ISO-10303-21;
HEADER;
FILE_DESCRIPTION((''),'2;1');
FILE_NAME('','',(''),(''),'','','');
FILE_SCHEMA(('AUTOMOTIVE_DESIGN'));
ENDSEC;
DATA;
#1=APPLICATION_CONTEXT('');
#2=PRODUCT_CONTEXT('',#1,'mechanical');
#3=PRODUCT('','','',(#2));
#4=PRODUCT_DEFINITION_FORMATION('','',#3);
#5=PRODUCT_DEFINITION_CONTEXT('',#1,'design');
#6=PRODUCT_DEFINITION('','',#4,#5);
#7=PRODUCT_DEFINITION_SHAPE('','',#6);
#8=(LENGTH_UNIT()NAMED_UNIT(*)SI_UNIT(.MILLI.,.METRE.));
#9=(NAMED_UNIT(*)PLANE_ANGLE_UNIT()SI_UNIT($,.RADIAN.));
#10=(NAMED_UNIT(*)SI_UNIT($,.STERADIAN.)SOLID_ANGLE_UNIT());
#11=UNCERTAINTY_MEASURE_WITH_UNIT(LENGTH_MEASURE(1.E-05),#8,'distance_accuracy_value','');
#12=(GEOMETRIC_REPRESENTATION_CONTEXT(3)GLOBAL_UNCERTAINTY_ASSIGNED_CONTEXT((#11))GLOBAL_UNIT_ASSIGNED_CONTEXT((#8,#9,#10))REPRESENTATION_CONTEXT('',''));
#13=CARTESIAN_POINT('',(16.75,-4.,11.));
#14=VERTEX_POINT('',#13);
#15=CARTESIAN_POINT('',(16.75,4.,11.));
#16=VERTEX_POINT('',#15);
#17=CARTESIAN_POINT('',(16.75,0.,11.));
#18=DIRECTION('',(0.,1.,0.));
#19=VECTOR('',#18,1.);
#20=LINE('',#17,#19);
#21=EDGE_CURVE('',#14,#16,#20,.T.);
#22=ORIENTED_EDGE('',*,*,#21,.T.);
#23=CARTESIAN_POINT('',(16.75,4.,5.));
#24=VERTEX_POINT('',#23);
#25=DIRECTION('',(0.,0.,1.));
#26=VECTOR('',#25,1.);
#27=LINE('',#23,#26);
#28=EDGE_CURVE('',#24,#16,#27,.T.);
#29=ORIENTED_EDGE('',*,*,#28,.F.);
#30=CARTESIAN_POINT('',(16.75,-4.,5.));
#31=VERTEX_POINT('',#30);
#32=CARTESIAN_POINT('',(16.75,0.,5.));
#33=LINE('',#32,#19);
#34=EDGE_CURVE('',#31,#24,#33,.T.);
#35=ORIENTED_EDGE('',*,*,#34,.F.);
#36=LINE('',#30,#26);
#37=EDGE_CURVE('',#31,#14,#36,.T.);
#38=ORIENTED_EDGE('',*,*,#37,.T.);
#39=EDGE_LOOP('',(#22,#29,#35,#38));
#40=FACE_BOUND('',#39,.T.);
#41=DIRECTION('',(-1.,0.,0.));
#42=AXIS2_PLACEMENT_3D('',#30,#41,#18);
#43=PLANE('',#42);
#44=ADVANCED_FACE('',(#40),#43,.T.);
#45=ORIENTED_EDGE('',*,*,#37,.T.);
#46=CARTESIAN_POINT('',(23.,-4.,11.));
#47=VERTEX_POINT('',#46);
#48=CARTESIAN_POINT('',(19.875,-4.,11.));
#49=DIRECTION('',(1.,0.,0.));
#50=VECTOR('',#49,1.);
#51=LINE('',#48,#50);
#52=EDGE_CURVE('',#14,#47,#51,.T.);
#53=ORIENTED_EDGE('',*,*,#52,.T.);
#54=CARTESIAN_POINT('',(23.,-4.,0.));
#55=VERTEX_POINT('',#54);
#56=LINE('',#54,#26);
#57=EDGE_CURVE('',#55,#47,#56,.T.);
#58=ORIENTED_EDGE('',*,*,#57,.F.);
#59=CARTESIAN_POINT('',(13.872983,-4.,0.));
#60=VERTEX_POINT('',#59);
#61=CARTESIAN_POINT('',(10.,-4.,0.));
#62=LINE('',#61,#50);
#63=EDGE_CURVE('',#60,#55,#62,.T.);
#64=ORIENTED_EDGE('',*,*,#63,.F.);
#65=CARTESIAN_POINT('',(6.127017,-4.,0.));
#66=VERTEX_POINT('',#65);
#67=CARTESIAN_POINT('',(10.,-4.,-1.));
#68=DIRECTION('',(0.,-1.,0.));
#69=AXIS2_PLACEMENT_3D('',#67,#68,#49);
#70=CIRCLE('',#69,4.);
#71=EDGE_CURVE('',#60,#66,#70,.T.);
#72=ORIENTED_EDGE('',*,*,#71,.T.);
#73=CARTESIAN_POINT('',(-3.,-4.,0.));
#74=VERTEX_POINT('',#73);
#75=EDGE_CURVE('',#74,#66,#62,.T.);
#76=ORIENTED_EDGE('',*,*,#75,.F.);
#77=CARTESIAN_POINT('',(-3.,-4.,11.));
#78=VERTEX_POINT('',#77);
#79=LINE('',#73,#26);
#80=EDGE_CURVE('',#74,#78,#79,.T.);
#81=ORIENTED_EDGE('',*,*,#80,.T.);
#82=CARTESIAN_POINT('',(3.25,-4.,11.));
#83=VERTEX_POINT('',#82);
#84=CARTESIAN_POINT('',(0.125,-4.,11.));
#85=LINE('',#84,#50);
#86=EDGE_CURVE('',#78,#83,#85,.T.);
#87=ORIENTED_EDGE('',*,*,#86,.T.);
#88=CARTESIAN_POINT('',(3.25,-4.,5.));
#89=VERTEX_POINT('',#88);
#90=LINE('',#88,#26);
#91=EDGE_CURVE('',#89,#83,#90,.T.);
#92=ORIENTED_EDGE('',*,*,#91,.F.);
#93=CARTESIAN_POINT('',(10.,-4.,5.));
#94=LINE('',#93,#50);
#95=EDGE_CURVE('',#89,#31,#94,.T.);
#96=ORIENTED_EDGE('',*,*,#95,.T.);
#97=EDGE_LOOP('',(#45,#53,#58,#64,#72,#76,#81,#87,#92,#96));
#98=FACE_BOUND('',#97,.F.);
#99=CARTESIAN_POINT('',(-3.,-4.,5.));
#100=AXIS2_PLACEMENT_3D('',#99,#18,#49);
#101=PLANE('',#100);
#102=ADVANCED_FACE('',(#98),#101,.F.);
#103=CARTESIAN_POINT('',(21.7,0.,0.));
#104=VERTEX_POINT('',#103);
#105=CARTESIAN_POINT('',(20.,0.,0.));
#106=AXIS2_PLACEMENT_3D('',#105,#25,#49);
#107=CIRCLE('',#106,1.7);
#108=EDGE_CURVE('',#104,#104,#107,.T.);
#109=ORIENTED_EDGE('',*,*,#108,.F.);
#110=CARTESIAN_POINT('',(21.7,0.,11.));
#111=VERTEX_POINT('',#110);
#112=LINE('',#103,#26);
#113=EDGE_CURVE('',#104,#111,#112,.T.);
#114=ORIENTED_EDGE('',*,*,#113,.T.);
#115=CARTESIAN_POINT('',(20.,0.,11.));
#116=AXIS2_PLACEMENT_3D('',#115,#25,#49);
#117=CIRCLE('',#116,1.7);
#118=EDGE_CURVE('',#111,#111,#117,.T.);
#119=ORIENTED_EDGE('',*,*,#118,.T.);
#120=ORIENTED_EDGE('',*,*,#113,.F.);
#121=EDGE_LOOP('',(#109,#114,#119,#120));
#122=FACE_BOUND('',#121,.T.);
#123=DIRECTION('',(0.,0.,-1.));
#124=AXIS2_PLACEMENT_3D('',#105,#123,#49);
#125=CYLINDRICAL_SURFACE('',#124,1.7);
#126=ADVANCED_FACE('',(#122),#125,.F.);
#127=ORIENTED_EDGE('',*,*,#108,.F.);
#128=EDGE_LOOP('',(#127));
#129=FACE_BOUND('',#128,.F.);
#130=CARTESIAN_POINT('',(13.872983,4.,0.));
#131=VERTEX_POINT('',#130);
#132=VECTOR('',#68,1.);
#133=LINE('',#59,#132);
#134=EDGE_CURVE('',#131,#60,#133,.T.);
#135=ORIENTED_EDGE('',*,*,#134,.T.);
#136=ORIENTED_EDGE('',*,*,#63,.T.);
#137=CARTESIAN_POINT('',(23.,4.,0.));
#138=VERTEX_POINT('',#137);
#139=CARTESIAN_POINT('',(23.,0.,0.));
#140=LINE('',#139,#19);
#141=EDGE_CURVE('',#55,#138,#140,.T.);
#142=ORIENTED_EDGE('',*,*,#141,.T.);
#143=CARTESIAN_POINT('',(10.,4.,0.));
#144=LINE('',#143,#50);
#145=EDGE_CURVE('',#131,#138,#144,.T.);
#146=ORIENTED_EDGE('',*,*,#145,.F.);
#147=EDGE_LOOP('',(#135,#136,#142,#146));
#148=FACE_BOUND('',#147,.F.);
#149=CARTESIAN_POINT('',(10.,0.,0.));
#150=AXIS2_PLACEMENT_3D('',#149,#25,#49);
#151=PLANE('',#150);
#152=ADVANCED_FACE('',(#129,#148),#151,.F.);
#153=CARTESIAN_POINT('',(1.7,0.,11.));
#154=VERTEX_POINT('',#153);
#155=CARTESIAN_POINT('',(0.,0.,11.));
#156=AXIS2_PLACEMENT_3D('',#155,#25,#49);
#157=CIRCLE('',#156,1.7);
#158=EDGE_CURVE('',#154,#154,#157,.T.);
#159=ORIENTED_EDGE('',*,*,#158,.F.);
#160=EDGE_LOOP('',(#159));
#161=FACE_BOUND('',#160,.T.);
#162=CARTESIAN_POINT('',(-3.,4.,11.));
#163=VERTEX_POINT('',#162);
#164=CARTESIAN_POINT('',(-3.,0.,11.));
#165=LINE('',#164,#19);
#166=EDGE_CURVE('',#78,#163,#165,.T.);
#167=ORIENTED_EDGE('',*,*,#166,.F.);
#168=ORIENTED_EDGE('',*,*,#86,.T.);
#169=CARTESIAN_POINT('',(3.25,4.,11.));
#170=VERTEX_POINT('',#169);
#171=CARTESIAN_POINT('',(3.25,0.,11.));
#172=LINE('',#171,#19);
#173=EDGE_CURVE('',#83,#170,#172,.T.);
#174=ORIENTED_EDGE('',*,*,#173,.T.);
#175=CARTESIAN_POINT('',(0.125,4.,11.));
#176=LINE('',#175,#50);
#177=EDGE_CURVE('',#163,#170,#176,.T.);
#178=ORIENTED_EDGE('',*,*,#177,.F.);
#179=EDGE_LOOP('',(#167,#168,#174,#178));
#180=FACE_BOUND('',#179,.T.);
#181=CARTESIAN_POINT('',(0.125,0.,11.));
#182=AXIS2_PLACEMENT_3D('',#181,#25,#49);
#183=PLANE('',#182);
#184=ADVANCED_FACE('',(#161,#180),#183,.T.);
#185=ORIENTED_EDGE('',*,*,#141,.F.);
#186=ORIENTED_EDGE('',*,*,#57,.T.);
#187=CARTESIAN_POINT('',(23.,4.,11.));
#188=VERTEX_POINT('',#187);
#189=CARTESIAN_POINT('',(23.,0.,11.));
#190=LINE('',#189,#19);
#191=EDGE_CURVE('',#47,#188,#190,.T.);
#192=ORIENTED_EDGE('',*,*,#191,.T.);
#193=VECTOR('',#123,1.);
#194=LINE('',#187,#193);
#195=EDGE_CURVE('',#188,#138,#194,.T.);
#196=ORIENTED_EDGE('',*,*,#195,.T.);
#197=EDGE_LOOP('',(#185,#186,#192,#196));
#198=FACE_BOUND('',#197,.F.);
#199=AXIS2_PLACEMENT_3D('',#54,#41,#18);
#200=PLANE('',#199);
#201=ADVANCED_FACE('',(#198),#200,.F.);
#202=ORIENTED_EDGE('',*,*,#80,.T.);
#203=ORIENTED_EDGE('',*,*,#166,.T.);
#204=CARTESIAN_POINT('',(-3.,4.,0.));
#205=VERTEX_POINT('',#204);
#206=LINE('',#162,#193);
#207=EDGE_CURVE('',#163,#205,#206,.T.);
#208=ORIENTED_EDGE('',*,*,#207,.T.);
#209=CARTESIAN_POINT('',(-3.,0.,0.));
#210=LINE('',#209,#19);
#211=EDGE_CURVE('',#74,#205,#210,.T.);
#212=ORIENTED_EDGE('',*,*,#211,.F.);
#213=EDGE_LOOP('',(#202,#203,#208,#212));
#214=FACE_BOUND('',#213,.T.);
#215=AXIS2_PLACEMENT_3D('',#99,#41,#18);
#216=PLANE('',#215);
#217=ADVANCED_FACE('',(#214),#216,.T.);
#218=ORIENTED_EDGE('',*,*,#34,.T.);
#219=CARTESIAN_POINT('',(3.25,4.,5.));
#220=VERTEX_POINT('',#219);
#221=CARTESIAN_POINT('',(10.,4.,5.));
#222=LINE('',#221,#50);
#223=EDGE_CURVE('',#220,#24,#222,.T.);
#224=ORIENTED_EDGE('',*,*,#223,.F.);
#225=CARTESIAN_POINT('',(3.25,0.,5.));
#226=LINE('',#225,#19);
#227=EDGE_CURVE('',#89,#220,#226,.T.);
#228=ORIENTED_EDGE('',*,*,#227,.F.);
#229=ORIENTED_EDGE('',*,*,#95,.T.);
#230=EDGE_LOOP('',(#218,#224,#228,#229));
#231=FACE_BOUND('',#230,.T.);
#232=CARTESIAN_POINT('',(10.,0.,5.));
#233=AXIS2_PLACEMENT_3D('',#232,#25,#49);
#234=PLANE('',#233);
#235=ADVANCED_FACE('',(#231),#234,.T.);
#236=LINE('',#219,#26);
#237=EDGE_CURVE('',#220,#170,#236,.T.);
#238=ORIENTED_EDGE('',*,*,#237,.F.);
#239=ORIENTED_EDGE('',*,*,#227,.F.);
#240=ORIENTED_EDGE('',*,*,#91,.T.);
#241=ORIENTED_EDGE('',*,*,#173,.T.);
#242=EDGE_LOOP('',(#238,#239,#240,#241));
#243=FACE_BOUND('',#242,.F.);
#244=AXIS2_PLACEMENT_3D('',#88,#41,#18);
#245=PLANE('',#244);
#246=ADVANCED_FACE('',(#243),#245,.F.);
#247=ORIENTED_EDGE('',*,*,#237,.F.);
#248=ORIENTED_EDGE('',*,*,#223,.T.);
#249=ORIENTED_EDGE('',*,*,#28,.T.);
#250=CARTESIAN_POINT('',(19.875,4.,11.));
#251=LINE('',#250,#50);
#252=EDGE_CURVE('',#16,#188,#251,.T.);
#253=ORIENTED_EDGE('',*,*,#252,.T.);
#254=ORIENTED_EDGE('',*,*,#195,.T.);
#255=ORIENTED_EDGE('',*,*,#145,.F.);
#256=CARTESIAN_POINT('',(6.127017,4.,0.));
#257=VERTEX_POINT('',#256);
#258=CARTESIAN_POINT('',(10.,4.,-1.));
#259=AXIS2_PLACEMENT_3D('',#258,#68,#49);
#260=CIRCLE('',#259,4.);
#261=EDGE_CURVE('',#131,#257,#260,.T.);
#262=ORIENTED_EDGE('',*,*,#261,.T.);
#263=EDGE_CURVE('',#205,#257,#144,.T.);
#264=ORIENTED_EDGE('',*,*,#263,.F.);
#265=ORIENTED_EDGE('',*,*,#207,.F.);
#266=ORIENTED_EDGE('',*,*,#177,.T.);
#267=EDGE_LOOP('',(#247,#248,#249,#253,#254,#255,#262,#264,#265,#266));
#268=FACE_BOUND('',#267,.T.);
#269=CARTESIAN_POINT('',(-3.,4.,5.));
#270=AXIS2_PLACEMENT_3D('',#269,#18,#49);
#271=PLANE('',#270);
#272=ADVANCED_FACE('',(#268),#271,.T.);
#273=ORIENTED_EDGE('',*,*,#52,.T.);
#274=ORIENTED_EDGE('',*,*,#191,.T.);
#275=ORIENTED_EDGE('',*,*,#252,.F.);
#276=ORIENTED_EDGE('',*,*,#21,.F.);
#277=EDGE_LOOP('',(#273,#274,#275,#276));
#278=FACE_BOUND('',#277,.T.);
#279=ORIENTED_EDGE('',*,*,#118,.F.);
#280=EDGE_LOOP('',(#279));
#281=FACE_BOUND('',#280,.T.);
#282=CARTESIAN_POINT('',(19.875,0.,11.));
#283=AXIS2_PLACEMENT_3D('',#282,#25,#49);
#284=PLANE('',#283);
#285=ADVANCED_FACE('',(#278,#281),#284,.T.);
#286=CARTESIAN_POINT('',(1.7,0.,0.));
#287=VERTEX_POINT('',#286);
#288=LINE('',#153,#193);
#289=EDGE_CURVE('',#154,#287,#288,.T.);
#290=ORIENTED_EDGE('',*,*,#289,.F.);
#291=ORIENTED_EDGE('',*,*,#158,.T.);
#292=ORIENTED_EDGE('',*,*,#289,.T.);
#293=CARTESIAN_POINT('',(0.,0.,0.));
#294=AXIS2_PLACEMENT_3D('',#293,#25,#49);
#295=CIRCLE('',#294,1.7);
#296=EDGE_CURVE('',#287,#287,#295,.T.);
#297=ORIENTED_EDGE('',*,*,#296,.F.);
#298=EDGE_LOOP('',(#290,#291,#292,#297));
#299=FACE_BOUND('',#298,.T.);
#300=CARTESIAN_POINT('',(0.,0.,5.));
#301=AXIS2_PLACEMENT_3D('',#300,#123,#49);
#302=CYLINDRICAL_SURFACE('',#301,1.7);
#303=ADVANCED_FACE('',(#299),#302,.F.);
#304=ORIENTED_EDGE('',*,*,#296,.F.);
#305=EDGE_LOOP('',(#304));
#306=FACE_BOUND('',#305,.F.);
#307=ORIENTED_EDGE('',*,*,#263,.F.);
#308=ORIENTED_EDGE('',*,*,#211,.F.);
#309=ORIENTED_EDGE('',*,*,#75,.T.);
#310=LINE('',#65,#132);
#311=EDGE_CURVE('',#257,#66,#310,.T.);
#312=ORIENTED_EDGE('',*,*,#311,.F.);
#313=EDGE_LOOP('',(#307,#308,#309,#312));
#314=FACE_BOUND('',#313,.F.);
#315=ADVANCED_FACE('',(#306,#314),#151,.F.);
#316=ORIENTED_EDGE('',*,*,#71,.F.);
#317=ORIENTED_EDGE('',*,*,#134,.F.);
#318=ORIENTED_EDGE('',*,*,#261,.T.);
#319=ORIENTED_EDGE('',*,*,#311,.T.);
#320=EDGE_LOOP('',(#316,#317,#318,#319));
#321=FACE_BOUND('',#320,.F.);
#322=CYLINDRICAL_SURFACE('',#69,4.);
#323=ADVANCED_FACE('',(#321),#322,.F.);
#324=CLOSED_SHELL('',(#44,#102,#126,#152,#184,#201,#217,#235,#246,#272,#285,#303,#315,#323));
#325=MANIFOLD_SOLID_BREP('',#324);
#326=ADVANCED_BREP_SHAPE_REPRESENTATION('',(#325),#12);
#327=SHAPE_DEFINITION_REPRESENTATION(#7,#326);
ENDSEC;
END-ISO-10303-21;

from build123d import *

# Parameters (mm, degrees)
SKETCH_W     = 26
SKETCH_H     = 8
SKETCH_R     = 1.7
PAD_DEPTH    = 5
SKETCH002_R  = 4
POCKET_DEPTH = 8.001
SKETCH003_W  = 6.25
SKETCH003_H  = 8
SKETCH003_R  = 1.7
PAD001_DEPTH = 6


with BuildPart() as part:
    # Sketch → Pad (new body)
    with BuildSketch(Plane.XY):
        with Locations((10, 0)):
            Rectangle(SKETCH_W, SKETCH_H)
        Circle(SKETCH_R, mode=Mode.SUBTRACT)
        with Locations((20, 0)):
            Circle(SKETCH_R, mode=Mode.SUBTRACT)
    extrude(amount=PAD_DEPTH)

    # Sketch002 → Pocket (cut, through all)
    with BuildSketch(Plane.XZ.offset(4)):
        with Locations((10, -1)):
            Circle(SKETCH002_R)
    extrude(amount=-POCKET_DEPTH, mode=Mode.SUBTRACT)

    # Sketch003 → Pad001 (new body)
    with BuildSketch(Plane.XY.offset(5)):
        with Locations((0.125, 0)):
            Rectangle(SKETCH003_W, SKETCH003_H)
        Circle(SKETCH003_R, mode=Mode.SUBTRACT)
        with Locations((19.875, 0)):
            Rectangle(SKETCH003_W, SKETCH003_H)
        with Locations((20, 0)):
            Circle(SKETCH003_R, mode=Mode.SUBTRACT)
    extrude(amount=PAD001_DEPTH)


solid = part.part
